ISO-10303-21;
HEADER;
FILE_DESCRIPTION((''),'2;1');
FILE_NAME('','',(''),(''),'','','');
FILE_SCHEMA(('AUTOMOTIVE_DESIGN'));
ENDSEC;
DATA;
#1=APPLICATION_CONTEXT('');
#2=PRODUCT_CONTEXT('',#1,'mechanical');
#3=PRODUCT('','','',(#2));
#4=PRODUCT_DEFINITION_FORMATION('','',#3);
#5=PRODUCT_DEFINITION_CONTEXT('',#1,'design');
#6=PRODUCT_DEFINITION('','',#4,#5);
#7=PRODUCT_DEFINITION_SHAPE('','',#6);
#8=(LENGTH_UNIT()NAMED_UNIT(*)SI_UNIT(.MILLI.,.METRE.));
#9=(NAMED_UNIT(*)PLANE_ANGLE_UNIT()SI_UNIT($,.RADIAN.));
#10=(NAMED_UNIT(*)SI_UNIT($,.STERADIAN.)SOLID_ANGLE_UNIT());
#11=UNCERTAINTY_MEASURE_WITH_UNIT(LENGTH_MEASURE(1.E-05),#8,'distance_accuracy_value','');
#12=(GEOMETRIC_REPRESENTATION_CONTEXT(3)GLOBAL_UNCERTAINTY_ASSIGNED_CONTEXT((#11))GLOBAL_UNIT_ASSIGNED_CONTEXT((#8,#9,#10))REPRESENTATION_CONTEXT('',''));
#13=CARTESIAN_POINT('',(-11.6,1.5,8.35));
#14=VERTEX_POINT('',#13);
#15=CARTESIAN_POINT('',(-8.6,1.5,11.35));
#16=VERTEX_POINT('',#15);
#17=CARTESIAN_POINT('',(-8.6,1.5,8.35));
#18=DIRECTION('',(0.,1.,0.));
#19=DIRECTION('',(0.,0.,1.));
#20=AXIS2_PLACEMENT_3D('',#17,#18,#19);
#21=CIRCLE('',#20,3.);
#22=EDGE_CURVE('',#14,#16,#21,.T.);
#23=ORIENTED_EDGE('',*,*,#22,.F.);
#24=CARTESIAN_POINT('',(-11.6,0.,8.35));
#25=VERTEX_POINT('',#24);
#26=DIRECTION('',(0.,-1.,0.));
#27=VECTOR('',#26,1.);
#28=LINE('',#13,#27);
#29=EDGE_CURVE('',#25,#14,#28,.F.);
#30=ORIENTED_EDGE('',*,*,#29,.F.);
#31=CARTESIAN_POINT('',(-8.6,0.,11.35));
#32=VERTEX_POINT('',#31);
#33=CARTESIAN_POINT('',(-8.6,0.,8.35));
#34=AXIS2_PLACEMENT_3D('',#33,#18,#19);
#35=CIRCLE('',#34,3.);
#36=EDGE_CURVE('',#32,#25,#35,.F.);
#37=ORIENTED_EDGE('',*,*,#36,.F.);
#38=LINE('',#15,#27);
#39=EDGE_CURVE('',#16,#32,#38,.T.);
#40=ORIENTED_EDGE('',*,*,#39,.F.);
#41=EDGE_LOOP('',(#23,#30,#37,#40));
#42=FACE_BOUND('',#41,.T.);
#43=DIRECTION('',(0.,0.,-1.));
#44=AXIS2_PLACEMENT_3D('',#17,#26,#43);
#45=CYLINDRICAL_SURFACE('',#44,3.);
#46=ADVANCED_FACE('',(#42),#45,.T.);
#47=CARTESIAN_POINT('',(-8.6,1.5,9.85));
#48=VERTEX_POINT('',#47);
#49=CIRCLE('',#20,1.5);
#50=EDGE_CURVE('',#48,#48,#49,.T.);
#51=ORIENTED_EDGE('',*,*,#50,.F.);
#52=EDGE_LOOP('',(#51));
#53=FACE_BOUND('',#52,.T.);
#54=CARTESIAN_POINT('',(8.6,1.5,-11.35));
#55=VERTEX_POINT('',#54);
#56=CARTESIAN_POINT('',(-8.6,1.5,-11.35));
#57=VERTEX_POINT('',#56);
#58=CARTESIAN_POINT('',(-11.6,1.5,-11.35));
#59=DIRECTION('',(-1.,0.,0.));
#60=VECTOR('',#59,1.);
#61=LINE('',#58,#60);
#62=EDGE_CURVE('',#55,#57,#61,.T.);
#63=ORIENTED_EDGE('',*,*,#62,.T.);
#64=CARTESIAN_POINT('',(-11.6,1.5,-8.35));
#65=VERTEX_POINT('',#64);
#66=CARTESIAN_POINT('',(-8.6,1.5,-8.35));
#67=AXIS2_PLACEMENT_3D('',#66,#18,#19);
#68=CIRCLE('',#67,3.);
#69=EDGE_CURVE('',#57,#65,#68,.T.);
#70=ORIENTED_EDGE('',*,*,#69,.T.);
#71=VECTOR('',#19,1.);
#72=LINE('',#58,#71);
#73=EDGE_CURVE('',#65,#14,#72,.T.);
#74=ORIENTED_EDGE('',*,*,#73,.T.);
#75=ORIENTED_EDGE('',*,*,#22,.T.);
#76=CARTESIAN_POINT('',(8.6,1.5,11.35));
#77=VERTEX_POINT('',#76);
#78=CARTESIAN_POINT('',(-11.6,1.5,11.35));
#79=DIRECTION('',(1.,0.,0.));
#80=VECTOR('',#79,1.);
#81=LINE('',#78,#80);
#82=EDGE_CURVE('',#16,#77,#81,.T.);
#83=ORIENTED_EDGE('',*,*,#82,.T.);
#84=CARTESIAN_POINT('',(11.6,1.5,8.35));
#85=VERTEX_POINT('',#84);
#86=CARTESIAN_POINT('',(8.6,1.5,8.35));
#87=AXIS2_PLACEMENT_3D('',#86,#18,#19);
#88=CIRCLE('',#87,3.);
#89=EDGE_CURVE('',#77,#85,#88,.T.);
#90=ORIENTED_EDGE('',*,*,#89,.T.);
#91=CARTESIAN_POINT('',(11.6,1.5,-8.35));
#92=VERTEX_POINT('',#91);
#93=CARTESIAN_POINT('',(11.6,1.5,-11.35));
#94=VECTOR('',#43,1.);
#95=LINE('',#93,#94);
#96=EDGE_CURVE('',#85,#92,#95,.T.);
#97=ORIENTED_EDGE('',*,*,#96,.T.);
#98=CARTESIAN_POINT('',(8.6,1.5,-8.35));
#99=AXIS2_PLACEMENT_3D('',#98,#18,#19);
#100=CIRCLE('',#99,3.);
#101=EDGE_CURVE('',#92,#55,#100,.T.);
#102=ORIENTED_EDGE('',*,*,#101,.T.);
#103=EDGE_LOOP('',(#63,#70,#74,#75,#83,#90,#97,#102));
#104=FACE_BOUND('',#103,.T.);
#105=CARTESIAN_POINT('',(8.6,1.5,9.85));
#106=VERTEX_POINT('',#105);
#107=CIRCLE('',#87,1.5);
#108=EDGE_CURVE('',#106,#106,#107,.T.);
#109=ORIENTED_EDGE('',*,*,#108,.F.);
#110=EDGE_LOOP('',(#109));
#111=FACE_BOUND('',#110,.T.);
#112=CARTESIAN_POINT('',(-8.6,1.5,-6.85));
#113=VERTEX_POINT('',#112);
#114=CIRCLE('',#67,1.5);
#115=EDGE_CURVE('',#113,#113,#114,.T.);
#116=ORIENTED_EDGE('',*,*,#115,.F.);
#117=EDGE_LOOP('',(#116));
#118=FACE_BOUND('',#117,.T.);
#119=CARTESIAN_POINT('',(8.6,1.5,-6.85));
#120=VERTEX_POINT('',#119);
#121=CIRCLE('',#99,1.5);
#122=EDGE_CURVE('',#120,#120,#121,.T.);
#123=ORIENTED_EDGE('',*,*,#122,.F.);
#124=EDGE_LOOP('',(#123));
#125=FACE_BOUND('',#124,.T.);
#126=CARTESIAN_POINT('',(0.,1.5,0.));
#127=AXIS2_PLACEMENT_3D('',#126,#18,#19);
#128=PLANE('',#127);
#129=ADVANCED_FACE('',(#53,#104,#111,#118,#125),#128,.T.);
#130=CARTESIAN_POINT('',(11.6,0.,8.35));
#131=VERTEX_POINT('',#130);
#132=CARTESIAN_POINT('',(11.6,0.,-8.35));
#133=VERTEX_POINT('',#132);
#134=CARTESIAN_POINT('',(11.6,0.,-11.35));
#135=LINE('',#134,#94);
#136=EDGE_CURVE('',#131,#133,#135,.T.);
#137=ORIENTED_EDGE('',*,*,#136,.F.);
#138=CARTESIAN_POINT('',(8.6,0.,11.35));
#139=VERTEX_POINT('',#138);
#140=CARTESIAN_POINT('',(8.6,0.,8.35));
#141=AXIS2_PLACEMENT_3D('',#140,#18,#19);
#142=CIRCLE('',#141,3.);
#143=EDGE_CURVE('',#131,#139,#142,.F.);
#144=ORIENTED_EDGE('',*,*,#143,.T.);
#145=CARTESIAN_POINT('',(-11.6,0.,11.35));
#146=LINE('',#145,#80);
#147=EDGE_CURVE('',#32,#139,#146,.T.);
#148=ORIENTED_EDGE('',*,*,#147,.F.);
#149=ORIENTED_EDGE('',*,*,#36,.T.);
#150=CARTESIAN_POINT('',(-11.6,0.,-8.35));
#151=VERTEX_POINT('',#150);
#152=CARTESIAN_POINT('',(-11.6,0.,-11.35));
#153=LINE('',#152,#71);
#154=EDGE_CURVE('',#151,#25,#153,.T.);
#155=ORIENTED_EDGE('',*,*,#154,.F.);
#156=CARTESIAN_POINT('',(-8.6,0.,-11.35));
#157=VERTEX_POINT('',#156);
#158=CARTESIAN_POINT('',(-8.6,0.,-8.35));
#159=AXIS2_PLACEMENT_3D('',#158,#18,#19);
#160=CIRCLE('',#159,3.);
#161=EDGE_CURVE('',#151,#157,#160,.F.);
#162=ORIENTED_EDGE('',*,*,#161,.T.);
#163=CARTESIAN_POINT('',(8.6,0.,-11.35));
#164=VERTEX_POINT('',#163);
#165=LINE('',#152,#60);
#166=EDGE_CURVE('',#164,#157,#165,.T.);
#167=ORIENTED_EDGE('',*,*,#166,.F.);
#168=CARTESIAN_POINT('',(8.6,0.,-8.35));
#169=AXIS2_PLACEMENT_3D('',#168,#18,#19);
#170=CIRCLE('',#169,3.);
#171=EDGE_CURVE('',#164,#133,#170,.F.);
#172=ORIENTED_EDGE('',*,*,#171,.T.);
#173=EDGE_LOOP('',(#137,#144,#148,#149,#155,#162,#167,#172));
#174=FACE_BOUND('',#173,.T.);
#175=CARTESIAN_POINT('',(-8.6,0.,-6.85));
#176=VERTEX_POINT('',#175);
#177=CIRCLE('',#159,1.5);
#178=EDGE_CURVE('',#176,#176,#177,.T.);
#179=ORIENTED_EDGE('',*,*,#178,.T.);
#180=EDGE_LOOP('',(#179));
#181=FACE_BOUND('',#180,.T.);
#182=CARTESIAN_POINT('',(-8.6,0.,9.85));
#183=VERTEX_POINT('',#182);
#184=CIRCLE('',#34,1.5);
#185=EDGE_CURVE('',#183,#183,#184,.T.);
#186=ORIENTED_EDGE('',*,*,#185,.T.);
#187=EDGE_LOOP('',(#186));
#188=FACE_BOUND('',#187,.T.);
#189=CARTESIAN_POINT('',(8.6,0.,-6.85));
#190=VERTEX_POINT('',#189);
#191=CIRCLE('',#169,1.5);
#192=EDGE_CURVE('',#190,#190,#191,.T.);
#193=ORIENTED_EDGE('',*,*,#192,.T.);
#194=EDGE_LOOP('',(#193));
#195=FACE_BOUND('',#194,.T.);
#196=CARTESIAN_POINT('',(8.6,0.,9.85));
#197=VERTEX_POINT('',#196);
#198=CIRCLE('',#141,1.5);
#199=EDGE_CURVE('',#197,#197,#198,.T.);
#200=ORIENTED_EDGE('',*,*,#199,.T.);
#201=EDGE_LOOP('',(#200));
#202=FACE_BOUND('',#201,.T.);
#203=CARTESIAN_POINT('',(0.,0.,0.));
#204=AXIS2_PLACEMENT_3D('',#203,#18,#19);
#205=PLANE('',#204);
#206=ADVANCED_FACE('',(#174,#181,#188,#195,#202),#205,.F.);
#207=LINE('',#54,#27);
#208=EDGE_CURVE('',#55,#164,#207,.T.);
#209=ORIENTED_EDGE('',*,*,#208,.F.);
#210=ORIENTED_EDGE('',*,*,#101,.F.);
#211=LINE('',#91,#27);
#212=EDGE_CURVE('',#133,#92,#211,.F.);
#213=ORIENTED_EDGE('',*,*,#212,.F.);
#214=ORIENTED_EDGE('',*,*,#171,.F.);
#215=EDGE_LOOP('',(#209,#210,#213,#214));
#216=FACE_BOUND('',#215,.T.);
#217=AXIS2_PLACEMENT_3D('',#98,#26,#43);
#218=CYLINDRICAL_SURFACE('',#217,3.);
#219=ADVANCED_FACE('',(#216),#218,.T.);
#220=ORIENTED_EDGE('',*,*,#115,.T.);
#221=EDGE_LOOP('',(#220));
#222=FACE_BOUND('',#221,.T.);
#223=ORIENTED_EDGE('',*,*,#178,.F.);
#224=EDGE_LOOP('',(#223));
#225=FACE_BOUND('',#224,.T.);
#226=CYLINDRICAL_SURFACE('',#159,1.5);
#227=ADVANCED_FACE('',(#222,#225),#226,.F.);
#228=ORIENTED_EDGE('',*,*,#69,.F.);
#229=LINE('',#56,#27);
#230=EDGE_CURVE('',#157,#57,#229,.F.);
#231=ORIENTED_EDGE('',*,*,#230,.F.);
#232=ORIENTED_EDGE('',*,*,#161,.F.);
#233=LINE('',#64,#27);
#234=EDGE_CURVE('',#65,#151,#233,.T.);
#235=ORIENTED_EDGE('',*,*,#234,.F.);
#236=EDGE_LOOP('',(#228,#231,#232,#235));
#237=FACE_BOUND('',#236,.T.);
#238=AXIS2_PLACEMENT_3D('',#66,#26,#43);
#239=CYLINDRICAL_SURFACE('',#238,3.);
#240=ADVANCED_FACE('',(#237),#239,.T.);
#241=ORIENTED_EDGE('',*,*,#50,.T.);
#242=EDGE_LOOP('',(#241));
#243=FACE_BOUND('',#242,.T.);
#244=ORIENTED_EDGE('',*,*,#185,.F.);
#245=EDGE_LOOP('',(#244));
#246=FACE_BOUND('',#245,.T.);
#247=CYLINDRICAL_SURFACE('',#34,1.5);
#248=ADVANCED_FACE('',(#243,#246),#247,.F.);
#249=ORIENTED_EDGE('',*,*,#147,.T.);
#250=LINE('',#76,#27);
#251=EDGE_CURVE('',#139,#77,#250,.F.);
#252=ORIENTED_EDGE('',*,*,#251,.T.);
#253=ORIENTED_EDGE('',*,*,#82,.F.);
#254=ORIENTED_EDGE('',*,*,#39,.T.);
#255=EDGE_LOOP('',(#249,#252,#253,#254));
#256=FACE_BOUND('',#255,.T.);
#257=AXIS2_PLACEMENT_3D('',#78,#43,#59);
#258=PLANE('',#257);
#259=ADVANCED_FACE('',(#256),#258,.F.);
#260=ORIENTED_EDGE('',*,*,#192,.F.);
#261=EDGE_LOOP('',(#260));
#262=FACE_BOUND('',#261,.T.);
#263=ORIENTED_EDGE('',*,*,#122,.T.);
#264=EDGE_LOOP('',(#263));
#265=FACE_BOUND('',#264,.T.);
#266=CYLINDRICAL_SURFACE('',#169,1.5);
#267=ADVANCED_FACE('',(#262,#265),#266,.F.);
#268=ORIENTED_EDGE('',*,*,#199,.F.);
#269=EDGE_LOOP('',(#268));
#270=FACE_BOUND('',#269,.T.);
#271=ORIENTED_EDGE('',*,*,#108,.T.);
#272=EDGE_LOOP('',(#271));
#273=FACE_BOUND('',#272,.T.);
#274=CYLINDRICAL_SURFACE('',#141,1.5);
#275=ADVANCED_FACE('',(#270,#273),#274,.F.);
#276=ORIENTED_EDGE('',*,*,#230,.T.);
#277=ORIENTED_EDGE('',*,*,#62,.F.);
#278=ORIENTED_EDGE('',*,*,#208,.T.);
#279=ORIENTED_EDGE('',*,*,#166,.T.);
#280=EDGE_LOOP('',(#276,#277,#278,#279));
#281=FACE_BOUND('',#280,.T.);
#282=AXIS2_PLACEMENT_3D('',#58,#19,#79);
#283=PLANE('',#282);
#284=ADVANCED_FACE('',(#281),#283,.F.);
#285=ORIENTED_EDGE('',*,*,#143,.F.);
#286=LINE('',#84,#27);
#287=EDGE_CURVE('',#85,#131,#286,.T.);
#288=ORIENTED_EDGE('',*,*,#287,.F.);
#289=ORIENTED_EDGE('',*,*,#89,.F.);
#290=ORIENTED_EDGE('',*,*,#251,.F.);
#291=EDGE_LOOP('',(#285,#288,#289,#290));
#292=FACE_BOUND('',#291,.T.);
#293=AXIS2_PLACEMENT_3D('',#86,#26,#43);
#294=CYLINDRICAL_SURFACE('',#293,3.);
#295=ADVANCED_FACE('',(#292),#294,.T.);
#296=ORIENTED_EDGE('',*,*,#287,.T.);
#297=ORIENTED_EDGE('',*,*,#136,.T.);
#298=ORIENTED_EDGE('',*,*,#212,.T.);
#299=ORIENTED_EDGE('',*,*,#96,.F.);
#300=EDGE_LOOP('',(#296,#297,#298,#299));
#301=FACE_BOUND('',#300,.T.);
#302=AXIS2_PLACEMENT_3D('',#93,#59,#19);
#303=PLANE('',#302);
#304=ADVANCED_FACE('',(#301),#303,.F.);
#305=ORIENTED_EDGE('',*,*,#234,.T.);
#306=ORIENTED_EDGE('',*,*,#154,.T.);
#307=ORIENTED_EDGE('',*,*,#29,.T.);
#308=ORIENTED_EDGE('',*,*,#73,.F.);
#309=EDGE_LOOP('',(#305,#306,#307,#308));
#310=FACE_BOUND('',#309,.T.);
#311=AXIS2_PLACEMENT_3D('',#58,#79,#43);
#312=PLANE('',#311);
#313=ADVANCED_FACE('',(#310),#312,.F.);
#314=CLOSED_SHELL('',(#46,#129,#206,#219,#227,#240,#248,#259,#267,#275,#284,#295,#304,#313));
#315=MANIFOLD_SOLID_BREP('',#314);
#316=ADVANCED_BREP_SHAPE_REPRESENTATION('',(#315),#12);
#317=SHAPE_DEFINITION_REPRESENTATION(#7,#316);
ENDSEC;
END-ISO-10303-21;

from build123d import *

# Parameters (mm, degrees)
SKETCH1_W           = 23.2
SKETCH1_H           = 22.7
BOSS_EXTRUDE1_DEPTH = 1.5
FILLET1_R           = 3
SKETCH2_R           = 1.5
CUT_EXTRUDE1_DEPTH  = 17.298236101


with BuildPart() as part:
    # Sketch1 → Boss-Extrude1 (new body)
    with BuildSketch(Plane(origin=(0, 0, 0), x_dir=(1, 0, 0), z_dir=(0, 1, 0))):
        Rectangle(SKETCH1_W, SKETCH1_H)
    extrude(amount=BOSS_EXTRUDE1_DEPTH)

    # Fillet1
    fillet1_edges = [part.edges().sort_by_distance(p)[0] for p in [
        (11.6, 0.75, 11.35),
        (-11.6, 0.75, 11.35),
        (-11.6, 0.75, -11.35),
        (11.6, 0.75, -11.35),
    ]]
    fillet(fillet1_edges, radius=FILLET1_R)

    # Sketch2 → Cut-Extrude1 (cut, through all)
    with BuildSketch(Plane(origin=(0, 1.5, 0), x_dir=(1, 0, 0), z_dir=(0, 1, 0))):
        with Locations(Location((-8.6, 8.35, 0), (0, 0, 270))):
            Circle(SKETCH2_R)
        with Locations(Location((8.6, 8.35, 0), (0, 0, 270))):
            Circle(SKETCH2_R)
        with Locations(Location((8.6, -8.35, 0), (0, 0, 270))):
            Circle(SKETCH2_R)
        with Locations(Location((-8.6, -8.35, 0), (0, 0, 270))):
            Circle(SKETCH2_R)
    extrude(amount=-CUT_EXTRUDE1_DEPTH, mode=Mode.SUBTRACT)


solid = part.part
